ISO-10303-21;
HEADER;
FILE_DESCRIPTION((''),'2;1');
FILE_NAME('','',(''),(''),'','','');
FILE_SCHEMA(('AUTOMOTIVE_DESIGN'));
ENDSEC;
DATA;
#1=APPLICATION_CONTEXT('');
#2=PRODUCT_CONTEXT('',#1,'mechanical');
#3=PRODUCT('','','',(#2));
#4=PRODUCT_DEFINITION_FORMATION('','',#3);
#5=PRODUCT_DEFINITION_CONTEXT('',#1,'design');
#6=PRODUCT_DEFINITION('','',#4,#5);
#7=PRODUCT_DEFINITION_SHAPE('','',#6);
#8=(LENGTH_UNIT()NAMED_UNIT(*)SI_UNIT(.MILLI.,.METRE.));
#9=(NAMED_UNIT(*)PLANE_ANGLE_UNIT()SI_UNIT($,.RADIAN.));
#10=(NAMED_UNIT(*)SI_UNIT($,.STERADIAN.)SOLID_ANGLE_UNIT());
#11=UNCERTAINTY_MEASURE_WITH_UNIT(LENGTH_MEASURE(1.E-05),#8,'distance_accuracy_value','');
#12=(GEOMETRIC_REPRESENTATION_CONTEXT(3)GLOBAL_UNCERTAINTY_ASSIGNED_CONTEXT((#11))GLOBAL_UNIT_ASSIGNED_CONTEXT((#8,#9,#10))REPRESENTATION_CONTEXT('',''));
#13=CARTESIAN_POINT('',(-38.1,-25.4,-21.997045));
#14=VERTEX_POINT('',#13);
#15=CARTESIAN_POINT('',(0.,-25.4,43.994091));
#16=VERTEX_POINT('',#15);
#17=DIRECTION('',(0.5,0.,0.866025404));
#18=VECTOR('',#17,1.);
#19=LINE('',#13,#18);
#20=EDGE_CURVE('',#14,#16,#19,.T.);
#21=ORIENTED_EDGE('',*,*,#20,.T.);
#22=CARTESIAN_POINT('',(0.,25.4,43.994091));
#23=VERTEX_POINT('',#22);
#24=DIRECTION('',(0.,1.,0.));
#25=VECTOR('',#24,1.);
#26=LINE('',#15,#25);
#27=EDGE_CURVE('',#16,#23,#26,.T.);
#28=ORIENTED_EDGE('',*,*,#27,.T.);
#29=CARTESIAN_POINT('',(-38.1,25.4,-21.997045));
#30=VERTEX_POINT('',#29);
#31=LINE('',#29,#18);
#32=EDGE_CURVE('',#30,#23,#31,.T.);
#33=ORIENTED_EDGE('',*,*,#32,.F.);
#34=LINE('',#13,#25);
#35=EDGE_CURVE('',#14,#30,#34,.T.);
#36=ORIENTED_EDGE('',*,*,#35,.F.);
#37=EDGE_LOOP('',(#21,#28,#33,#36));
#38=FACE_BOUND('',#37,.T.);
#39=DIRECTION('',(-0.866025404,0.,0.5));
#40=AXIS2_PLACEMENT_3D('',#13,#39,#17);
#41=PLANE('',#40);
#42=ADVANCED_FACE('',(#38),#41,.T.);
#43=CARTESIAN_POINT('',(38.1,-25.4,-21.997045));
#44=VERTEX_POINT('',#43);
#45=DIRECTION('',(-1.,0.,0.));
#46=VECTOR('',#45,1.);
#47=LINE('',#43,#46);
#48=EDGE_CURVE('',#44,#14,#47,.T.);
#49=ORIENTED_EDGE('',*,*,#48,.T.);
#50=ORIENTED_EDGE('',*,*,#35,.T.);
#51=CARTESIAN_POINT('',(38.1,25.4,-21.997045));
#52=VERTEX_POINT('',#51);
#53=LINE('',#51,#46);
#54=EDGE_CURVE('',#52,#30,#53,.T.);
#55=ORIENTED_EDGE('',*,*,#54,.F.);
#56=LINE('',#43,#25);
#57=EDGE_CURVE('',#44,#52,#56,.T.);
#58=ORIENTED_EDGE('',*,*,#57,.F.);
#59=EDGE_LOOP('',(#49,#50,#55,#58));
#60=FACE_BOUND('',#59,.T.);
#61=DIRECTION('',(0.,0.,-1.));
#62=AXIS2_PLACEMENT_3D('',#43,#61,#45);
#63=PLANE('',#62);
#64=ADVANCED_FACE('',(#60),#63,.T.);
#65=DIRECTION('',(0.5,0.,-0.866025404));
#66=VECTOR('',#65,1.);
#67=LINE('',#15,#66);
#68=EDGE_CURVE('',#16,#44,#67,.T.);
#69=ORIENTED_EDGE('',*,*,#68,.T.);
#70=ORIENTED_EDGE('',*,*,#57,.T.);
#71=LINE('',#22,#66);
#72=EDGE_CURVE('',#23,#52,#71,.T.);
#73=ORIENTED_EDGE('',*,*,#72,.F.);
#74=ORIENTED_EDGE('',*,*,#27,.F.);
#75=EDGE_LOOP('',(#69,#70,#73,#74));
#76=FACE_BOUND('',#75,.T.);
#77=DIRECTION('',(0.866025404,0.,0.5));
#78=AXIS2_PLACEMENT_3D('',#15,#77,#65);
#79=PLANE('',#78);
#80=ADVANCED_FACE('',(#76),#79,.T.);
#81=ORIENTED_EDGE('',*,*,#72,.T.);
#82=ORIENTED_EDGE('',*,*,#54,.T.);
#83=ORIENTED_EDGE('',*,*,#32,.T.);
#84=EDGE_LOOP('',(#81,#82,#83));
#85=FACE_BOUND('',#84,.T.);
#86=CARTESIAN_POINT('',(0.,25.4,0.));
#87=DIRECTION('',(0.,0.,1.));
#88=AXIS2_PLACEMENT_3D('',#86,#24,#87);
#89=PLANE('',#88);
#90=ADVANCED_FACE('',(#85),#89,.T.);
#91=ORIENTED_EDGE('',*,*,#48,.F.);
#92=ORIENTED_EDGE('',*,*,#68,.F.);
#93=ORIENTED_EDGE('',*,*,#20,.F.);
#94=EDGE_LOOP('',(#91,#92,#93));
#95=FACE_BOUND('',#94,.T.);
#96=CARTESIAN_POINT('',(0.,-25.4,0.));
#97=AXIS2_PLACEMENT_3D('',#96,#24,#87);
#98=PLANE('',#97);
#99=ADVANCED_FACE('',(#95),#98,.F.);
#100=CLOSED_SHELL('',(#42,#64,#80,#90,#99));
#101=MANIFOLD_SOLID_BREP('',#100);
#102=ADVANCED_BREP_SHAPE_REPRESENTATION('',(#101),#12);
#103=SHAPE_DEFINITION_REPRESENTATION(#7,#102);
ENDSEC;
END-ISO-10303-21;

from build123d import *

# Parameters (mm, degrees)
BOSS_EXTRUDE2_DEPTH      = 25.4
BOSS_EXTRUDE2_DEPTH_BACK = 25.4


with BuildPart() as part:
    # Sketch1 → Boss-Extrude2 (new, two sides: drawn at the far end of the back side and taken through both)
    with BuildSketch(Plane(origin=(0, 0, 0), x_dir=(1, 0, 0), z_dir=(0, 1, 0)).offset(-BOSS_EXTRUDE2_DEPTH_BACK)):
        Polygon((0, -43.994090512), (38.1, 21.997045256), (-38.1, 21.997045256), align=None)
    extrude(amount=BOSS_EXTRUDE2_DEPTH + BOSS_EXTRUDE2_DEPTH_BACK)


solid = part.part
